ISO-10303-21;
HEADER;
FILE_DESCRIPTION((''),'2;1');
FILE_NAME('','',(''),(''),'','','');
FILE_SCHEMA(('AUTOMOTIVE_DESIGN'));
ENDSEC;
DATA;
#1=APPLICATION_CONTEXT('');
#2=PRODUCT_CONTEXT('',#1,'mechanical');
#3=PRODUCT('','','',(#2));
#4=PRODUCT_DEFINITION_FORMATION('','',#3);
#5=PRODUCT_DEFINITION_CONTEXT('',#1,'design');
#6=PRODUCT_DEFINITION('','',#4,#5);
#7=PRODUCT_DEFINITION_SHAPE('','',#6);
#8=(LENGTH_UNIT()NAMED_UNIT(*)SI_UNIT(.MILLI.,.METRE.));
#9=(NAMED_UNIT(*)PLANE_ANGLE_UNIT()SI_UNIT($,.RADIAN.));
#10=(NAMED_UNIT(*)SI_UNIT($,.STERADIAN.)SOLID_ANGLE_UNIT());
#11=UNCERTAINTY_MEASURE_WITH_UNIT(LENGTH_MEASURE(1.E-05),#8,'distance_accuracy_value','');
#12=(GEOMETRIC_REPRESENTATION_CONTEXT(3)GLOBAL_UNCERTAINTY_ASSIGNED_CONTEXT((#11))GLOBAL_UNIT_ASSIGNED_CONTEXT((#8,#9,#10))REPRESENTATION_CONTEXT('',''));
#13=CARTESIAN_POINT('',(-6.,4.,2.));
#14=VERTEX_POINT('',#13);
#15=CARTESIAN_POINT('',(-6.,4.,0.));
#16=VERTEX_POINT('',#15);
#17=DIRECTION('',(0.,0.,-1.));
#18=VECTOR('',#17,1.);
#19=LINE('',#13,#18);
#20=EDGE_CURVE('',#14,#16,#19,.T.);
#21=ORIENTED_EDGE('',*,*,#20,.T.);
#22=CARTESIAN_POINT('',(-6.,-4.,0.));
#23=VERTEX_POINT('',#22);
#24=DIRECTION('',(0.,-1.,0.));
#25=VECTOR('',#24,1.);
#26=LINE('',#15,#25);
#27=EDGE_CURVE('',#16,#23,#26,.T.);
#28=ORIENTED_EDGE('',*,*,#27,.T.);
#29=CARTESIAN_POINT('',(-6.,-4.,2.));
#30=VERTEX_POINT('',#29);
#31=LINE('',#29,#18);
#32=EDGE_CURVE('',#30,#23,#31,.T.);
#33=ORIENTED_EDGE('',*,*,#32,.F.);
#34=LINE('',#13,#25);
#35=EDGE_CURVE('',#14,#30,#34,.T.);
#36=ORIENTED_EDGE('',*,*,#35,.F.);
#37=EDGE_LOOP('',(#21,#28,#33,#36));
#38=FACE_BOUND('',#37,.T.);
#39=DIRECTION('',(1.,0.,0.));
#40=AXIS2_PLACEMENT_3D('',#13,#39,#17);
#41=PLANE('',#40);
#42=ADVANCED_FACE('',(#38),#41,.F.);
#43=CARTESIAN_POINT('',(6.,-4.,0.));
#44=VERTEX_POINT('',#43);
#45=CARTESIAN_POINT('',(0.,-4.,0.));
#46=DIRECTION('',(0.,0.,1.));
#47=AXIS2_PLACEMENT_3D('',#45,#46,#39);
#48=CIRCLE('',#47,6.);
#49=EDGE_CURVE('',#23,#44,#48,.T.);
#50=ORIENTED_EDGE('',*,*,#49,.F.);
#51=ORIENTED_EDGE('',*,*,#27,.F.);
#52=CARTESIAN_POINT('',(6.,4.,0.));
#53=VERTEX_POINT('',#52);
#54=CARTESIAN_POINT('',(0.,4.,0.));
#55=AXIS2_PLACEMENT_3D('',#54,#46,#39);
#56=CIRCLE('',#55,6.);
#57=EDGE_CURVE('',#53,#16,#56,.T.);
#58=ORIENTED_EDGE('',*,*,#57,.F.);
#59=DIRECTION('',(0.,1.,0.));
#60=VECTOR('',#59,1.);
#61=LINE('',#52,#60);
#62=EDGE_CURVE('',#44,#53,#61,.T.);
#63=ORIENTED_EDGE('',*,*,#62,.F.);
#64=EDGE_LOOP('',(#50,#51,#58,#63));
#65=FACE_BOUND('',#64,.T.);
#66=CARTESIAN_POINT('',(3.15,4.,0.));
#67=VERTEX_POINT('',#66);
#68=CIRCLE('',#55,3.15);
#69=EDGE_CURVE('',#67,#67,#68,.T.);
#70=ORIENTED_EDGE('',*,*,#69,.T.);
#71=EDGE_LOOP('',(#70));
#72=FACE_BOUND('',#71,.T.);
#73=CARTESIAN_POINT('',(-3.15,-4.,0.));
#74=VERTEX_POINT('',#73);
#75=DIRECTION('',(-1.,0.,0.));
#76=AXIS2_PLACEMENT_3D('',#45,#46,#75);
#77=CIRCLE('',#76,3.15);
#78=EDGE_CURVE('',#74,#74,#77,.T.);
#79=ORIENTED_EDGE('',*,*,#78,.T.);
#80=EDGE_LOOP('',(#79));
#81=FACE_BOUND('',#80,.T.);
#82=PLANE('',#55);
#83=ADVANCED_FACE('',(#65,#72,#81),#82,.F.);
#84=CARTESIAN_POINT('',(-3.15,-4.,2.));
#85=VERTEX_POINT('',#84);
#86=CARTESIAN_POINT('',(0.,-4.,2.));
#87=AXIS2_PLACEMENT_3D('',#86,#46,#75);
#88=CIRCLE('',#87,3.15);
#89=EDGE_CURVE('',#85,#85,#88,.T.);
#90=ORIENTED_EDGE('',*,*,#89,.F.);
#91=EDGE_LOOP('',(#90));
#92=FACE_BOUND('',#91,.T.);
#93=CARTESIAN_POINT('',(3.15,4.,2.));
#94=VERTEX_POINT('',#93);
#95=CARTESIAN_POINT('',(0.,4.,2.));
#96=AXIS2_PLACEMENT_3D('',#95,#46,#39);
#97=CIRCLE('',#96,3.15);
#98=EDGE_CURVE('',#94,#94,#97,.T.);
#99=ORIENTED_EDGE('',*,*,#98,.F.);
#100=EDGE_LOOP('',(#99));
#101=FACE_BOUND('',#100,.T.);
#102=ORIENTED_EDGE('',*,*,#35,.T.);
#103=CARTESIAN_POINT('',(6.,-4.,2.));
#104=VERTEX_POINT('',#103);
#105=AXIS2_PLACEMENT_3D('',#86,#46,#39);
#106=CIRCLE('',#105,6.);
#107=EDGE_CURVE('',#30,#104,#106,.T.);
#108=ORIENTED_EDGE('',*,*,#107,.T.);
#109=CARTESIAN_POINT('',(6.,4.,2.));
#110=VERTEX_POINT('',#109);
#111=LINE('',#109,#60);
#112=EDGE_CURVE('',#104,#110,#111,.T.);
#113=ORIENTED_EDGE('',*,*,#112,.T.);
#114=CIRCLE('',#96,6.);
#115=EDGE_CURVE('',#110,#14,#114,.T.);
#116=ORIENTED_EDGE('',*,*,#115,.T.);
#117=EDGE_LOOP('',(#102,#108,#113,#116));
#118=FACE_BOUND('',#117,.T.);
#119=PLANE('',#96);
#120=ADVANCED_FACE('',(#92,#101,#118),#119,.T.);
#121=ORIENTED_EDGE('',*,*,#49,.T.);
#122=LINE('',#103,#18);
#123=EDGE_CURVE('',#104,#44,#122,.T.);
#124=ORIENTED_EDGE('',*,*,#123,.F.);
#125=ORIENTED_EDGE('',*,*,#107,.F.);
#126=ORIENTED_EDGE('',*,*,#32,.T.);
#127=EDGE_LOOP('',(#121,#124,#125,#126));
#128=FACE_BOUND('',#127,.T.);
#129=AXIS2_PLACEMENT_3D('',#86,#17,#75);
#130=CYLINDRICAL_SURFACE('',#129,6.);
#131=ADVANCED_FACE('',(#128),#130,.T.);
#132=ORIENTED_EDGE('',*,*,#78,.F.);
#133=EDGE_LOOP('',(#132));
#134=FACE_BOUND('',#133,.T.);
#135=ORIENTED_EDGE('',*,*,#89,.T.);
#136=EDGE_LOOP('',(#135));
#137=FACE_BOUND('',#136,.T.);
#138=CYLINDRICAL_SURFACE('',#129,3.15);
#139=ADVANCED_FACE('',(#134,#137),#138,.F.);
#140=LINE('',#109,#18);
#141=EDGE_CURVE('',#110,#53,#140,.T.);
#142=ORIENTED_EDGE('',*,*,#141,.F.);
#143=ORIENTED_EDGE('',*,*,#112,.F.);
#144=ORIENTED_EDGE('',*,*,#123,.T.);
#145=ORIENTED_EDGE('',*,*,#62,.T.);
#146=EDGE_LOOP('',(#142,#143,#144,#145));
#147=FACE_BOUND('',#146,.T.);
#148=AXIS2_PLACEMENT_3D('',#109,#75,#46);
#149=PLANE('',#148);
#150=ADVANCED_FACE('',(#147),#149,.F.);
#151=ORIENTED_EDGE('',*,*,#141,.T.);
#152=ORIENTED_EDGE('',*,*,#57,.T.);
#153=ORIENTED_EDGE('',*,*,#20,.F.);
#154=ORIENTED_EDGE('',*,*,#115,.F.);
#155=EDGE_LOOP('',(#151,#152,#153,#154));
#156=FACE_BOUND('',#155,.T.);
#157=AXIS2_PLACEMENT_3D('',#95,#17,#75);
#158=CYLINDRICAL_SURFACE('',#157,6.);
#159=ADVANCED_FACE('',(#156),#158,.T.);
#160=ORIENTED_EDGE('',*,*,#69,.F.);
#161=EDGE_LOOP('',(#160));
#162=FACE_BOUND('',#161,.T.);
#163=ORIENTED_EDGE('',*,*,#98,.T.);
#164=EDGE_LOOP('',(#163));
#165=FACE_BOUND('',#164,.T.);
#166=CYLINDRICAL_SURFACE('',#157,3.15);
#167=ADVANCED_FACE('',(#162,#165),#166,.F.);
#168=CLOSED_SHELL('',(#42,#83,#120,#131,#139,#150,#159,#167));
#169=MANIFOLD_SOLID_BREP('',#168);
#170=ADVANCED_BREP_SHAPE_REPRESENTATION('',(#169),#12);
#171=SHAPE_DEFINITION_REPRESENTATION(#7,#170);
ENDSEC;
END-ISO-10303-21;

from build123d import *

# Parameters (mm, degrees)
SKETCH1_R           = 3.15
BOSS_EXTRUDE1_DEPTH = 2


with BuildPart() as part:
    # Sketch1 → Boss-Extrude1 (new body)
    with BuildSketch(Plane.XY):
        with BuildLine():
            Line((6, 4), (6, -4))
            ThreePointArc((6, -4), (0, -10), (-6, -4))
            Line((-6, -4), (-6, 4))
            ThreePointArc((-6, 4), (0, 10), (6, 4))
        make_face()
        with Locations((0, 4)):
            Circle(SKETCH1_R, mode=Mode.SUBTRACT)
        with Locations(Location((0, -4, 0), (0, 0, 180))):
            Circle(SKETCH1_R, mode=Mode.SUBTRACT)
    extrude(amount=BOSS_EXTRUDE1_DEPTH)


solid = part.part
